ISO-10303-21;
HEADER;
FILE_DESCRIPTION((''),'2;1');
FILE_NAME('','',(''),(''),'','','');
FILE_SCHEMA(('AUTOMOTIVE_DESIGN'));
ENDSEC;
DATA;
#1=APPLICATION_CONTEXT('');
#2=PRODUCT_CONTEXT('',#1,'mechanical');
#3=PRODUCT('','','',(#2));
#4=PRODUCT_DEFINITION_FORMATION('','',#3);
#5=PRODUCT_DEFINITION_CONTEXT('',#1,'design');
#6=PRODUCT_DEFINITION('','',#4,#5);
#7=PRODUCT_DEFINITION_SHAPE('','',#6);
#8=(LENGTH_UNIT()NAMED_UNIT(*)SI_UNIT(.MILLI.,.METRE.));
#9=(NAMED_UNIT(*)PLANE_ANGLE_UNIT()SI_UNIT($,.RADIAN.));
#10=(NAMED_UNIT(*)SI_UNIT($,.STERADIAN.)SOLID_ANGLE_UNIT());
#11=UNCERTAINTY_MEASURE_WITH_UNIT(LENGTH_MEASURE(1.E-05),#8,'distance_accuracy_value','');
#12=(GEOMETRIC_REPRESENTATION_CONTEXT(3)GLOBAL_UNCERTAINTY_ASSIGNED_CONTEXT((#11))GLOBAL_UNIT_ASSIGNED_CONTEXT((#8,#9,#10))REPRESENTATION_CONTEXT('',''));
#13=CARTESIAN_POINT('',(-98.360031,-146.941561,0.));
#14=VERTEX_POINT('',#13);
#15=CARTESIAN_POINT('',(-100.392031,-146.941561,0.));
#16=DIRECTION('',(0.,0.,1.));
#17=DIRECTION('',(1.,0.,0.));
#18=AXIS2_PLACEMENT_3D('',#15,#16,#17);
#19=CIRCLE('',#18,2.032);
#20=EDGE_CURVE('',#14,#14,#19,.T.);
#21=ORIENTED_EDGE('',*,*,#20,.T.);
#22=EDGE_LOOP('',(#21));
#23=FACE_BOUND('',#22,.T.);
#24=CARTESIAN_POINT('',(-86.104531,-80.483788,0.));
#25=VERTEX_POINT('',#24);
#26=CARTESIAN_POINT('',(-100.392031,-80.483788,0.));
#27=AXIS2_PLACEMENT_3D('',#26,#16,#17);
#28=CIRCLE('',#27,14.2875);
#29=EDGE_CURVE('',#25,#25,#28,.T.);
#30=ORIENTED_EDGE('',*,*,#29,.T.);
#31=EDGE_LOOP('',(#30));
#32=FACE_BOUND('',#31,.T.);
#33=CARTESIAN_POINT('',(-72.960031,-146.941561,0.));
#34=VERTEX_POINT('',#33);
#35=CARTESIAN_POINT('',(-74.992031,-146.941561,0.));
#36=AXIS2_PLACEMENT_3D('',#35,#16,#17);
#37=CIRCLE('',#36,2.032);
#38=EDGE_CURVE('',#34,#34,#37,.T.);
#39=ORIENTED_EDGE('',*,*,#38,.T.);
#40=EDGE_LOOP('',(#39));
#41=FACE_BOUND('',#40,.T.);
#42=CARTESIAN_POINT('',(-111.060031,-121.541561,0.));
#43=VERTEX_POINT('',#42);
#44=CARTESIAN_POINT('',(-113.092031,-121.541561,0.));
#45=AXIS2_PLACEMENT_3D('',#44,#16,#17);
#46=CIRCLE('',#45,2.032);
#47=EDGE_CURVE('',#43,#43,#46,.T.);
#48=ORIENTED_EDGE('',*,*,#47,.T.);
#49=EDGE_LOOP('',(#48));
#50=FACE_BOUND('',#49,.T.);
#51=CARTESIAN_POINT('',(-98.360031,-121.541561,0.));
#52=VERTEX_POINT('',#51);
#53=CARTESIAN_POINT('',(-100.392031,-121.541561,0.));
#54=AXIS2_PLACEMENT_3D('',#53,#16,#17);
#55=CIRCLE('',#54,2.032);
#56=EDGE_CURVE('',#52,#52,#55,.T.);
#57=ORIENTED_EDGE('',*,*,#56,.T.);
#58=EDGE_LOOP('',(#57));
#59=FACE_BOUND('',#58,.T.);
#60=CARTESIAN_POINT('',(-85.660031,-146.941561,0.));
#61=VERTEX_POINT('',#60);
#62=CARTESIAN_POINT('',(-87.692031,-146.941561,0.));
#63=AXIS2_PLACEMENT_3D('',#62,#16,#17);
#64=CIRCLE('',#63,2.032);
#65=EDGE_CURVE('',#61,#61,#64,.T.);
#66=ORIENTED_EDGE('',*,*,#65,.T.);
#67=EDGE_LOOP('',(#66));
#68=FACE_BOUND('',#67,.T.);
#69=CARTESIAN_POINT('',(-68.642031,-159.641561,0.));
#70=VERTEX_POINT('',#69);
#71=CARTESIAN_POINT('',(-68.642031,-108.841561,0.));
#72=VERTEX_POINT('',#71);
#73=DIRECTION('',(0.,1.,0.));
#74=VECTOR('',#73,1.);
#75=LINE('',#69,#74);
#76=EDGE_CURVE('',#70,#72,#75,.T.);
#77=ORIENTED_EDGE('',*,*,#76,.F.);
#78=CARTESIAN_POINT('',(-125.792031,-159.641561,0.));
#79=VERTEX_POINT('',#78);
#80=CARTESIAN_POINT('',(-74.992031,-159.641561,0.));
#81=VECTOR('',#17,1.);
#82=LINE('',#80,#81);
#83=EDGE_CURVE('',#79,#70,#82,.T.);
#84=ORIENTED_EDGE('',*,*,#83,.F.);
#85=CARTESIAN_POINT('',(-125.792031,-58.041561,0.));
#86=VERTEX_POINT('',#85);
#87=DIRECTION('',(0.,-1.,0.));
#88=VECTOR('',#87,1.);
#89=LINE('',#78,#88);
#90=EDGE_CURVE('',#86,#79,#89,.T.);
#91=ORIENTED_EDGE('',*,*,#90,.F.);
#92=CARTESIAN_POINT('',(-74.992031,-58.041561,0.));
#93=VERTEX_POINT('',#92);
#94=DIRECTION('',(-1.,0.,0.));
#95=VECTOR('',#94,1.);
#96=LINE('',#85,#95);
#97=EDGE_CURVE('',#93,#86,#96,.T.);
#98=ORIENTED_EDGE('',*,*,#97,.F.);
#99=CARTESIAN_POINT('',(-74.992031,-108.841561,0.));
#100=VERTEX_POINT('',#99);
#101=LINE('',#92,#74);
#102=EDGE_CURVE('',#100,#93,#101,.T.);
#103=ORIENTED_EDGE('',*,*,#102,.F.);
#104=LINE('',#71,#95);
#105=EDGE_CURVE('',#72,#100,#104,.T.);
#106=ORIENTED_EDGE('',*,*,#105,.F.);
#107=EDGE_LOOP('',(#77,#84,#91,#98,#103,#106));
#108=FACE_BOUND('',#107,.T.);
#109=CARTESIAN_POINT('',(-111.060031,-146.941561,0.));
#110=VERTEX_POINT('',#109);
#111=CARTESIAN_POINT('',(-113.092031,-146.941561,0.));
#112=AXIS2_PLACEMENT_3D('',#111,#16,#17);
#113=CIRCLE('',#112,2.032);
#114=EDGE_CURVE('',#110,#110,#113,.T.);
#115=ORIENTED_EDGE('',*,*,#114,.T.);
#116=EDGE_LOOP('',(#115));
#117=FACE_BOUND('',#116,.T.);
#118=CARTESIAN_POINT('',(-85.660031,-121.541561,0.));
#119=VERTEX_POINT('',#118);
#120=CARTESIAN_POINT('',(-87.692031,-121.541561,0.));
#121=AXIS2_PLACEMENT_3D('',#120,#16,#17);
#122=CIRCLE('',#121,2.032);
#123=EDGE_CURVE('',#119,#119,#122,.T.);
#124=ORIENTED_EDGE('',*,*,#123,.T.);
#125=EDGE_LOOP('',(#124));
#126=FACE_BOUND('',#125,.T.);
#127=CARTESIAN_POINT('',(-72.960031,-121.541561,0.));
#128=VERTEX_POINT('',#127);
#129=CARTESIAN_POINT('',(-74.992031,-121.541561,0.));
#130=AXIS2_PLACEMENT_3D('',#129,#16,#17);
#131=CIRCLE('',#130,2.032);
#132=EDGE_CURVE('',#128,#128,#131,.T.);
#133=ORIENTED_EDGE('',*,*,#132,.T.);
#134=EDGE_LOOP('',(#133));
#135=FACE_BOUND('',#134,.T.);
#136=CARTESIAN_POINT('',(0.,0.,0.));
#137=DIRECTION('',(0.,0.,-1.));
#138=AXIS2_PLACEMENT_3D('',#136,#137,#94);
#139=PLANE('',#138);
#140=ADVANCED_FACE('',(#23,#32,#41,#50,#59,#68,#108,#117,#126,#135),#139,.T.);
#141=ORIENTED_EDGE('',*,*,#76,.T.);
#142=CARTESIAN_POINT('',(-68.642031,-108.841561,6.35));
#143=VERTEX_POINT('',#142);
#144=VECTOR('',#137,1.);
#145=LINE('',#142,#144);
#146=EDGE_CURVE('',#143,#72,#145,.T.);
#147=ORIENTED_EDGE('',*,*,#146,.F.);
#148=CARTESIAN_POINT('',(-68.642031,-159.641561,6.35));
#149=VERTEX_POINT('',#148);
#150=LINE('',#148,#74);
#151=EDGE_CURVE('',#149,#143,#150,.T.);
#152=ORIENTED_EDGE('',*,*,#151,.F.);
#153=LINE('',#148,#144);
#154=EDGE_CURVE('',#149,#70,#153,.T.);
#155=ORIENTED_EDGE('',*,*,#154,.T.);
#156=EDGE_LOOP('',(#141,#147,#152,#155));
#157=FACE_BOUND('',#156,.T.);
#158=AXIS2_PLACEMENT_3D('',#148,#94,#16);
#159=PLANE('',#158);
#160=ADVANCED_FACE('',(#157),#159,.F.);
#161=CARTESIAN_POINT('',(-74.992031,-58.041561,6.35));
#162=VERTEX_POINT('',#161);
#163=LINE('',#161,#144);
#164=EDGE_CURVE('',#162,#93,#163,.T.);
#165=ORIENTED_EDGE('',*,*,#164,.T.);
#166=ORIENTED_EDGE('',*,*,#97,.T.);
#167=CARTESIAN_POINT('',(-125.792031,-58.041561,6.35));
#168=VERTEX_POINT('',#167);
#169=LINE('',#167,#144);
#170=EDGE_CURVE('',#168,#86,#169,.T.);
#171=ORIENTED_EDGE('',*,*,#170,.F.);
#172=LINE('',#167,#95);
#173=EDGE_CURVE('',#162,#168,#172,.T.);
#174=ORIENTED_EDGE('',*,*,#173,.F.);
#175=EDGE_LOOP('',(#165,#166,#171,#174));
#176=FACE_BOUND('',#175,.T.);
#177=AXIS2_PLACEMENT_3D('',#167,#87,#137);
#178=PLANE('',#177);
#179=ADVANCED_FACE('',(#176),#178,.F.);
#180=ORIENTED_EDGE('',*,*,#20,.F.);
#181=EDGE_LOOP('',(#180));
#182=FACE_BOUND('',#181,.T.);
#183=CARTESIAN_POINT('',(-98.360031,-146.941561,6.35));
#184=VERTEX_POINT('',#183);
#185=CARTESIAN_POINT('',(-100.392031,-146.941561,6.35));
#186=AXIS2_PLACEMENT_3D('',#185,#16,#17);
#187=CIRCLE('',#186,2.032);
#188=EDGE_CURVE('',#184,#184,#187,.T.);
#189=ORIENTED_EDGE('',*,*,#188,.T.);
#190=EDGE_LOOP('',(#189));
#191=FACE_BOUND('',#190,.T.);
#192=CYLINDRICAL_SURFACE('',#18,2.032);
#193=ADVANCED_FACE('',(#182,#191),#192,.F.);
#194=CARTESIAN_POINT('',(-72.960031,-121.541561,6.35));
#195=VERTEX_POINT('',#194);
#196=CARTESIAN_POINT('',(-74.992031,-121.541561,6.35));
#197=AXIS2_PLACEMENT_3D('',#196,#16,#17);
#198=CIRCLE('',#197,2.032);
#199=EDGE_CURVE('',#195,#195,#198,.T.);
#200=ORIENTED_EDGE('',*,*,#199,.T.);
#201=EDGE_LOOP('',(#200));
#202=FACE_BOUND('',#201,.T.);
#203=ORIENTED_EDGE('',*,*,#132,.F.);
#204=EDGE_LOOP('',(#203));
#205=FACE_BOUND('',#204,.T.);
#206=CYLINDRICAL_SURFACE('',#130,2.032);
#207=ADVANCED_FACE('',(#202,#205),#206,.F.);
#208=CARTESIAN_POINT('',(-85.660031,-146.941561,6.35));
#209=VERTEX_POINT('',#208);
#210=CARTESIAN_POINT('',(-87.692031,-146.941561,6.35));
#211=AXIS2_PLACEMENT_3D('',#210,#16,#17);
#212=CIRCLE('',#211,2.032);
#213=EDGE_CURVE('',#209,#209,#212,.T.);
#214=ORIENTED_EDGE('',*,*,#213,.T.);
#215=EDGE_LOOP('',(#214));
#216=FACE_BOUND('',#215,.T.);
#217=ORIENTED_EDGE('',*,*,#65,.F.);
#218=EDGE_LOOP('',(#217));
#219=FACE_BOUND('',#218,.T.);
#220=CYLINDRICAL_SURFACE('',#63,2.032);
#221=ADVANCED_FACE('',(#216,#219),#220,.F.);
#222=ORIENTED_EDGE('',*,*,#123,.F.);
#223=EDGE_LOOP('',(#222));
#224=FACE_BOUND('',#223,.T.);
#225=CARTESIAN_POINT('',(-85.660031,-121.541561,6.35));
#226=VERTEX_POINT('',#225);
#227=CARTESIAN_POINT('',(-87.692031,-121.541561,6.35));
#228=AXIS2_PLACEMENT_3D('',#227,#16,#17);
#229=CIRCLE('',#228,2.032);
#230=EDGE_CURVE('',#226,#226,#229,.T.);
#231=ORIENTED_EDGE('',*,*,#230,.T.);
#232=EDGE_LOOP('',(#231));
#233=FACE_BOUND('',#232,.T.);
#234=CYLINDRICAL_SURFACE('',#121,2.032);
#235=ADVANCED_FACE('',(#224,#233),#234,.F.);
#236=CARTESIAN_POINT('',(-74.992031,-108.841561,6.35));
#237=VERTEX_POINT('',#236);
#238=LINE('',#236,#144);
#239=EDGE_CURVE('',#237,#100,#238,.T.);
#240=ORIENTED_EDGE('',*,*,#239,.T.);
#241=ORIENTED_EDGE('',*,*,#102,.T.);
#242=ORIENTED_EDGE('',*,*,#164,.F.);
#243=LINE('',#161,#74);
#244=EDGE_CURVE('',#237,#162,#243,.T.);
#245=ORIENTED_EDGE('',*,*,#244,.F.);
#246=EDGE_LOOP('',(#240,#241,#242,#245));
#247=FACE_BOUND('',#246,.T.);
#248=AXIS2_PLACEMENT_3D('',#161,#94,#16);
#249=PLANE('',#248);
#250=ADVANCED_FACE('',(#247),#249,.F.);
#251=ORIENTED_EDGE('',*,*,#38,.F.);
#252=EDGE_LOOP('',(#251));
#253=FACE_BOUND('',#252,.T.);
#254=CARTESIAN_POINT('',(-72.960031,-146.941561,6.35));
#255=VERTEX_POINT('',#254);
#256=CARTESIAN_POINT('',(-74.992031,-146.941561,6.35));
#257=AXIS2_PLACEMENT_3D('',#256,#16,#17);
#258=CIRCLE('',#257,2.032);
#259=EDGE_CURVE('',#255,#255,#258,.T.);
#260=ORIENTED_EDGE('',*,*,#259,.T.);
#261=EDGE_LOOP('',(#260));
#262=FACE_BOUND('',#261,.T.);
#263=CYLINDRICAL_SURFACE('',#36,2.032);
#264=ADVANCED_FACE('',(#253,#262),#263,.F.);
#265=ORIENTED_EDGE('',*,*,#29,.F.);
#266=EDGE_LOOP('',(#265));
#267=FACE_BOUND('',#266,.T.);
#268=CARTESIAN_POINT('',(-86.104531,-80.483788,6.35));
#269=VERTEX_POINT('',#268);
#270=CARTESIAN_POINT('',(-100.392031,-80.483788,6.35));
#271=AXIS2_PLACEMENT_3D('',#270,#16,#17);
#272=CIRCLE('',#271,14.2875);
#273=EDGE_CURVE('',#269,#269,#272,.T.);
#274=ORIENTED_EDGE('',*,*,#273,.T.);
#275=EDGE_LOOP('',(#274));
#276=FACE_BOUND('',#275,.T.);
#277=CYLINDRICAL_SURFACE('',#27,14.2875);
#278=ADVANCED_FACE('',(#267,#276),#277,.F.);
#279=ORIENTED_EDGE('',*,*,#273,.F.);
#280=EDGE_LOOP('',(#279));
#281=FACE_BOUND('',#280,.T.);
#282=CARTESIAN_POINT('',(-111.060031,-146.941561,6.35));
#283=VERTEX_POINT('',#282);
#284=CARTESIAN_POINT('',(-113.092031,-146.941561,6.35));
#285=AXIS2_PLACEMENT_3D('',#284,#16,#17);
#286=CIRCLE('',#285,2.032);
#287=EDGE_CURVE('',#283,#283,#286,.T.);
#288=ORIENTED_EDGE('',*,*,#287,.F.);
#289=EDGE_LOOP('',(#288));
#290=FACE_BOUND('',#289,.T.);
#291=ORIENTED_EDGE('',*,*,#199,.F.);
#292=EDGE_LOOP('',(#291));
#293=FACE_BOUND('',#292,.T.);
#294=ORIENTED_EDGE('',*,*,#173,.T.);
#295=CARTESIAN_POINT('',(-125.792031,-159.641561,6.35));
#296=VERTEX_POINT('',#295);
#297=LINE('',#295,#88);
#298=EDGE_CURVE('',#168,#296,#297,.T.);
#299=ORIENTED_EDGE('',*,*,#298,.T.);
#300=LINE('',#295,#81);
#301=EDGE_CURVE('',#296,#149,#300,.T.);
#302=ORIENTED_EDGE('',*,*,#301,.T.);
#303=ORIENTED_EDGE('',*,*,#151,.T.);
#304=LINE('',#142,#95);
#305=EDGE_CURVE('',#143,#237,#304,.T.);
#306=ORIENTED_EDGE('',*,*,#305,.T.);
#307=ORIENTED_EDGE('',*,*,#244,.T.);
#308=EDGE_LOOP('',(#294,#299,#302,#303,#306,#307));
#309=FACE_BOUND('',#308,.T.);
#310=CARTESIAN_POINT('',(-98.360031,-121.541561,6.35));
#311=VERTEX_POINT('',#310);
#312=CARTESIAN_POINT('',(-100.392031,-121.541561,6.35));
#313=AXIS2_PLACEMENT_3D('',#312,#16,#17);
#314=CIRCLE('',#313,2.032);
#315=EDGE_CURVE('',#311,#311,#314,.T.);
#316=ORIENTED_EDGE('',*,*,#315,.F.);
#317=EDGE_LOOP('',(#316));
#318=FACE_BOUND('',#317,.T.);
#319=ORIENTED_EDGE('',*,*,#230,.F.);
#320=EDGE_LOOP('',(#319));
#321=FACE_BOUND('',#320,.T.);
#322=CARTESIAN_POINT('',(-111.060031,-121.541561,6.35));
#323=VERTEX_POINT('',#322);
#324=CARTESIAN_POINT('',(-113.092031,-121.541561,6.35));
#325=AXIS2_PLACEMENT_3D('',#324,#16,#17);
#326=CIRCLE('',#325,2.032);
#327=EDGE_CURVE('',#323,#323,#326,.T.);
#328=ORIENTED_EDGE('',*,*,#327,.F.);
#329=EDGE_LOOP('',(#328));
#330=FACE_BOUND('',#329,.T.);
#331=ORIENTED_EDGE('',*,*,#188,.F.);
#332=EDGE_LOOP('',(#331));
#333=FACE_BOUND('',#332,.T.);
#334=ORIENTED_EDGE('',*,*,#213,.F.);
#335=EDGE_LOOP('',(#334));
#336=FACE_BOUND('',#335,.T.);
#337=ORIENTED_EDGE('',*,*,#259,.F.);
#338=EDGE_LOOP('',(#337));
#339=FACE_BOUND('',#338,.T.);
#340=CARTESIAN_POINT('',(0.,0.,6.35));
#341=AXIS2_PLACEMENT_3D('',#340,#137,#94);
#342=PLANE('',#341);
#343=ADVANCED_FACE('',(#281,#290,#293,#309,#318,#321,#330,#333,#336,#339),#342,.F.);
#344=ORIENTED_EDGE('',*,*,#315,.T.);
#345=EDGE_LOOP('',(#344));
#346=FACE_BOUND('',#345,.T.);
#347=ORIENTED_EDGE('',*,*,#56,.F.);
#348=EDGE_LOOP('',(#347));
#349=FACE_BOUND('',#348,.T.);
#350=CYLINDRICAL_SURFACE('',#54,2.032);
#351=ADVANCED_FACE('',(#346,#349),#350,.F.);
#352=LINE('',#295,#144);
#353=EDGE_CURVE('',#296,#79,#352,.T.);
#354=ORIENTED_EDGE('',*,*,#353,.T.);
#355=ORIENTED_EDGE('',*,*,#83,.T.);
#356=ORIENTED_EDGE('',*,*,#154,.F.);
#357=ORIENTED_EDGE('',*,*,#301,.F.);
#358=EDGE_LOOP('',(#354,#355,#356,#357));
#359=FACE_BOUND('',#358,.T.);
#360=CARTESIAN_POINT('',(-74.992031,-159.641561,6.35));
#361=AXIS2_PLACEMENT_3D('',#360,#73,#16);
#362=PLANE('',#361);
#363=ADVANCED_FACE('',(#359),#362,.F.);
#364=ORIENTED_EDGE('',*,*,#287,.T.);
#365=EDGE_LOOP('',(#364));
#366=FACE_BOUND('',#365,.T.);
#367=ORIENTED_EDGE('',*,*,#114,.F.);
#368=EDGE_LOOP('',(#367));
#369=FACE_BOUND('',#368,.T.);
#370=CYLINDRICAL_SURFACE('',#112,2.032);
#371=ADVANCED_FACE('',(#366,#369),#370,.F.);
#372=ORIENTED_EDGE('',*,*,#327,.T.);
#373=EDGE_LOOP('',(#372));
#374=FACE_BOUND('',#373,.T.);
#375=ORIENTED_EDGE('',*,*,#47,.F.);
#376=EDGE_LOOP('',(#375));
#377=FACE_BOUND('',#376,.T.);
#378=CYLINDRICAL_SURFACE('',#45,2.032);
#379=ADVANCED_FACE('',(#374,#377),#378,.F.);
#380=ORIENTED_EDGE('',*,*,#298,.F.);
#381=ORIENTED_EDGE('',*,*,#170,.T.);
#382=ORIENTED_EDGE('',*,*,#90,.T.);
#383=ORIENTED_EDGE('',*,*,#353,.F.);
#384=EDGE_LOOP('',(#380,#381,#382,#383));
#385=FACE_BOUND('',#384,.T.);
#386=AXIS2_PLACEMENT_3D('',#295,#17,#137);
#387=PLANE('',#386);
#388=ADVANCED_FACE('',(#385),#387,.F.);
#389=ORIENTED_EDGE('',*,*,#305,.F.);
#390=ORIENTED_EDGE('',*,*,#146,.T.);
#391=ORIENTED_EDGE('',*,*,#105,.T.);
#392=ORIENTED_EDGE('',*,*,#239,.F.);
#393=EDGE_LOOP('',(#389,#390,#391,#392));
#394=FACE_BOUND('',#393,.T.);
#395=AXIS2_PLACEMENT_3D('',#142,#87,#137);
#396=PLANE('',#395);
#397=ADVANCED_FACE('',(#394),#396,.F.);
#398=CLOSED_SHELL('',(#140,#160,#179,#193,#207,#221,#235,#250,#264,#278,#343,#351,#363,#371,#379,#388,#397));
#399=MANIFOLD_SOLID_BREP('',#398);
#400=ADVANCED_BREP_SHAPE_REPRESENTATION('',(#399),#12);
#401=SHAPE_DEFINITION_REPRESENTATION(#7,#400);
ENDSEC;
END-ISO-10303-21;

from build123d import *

# Parameters (mm, degrees)
BOSS_EXTRUDE1_DEPTH = 6.35
SKETCH3_R           = 14.2875
SKETCH3_R_2         = 2.032
CUT_EXTRUDE1_DEPTH  = 6.35


with BuildPart() as part:
    # Sketch2 → Boss-Extrude1 (new body)
    with BuildSketch(Plane.XY):
        Polygon((-125.79203122, -159.641560721), (-74.99203122, -159.641560721), (-68.64203122, -159.641560721), (-68.64203122, -108.841560721), (-74.99203122, -108.841560721), (-74.99203122, -58.041560721), (-125.79203122, -58.041560721), align=None)
    extrude(amount=BOSS_EXTRUDE1_DEPTH)

    # Sketch3 → Cut-Extrude1 (cut)
    with BuildSketch(Plane.XY.offset(6.35)):
        with Locations((-100.39203122, -80.483788015)):
            Circle(SKETCH3_R)
        with Locations((-87.69203122, -146.941560721)):
            Circle(SKETCH3_R_2)
        with Locations((-113.09203122, -146.941560721)):
            Circle(SKETCH3_R_2)
        with Locations((-100.39203122, -146.941560721)):
            Circle(SKETCH3_R_2)
        with Locations((-74.99203122, -146.941560721)):
            Circle(SKETCH3_R_2)
        with Locations((-113.09203122, -121.541560721)):
            Circle(SKETCH3_R_2)
        with Locations((-87.69203122, -121.541560721)):
            Circle(SKETCH3_R_2)
        with Locations((-74.99203122, -121.541560721)):
            Circle(SKETCH3_R_2)
        with Locations((-100.39203122, -121.541560721)):
            Circle(SKETCH3_R_2)
    extrude(amount=-CUT_EXTRUDE1_DEPTH, mode=Mode.SUBTRACT)


solid = part.part
